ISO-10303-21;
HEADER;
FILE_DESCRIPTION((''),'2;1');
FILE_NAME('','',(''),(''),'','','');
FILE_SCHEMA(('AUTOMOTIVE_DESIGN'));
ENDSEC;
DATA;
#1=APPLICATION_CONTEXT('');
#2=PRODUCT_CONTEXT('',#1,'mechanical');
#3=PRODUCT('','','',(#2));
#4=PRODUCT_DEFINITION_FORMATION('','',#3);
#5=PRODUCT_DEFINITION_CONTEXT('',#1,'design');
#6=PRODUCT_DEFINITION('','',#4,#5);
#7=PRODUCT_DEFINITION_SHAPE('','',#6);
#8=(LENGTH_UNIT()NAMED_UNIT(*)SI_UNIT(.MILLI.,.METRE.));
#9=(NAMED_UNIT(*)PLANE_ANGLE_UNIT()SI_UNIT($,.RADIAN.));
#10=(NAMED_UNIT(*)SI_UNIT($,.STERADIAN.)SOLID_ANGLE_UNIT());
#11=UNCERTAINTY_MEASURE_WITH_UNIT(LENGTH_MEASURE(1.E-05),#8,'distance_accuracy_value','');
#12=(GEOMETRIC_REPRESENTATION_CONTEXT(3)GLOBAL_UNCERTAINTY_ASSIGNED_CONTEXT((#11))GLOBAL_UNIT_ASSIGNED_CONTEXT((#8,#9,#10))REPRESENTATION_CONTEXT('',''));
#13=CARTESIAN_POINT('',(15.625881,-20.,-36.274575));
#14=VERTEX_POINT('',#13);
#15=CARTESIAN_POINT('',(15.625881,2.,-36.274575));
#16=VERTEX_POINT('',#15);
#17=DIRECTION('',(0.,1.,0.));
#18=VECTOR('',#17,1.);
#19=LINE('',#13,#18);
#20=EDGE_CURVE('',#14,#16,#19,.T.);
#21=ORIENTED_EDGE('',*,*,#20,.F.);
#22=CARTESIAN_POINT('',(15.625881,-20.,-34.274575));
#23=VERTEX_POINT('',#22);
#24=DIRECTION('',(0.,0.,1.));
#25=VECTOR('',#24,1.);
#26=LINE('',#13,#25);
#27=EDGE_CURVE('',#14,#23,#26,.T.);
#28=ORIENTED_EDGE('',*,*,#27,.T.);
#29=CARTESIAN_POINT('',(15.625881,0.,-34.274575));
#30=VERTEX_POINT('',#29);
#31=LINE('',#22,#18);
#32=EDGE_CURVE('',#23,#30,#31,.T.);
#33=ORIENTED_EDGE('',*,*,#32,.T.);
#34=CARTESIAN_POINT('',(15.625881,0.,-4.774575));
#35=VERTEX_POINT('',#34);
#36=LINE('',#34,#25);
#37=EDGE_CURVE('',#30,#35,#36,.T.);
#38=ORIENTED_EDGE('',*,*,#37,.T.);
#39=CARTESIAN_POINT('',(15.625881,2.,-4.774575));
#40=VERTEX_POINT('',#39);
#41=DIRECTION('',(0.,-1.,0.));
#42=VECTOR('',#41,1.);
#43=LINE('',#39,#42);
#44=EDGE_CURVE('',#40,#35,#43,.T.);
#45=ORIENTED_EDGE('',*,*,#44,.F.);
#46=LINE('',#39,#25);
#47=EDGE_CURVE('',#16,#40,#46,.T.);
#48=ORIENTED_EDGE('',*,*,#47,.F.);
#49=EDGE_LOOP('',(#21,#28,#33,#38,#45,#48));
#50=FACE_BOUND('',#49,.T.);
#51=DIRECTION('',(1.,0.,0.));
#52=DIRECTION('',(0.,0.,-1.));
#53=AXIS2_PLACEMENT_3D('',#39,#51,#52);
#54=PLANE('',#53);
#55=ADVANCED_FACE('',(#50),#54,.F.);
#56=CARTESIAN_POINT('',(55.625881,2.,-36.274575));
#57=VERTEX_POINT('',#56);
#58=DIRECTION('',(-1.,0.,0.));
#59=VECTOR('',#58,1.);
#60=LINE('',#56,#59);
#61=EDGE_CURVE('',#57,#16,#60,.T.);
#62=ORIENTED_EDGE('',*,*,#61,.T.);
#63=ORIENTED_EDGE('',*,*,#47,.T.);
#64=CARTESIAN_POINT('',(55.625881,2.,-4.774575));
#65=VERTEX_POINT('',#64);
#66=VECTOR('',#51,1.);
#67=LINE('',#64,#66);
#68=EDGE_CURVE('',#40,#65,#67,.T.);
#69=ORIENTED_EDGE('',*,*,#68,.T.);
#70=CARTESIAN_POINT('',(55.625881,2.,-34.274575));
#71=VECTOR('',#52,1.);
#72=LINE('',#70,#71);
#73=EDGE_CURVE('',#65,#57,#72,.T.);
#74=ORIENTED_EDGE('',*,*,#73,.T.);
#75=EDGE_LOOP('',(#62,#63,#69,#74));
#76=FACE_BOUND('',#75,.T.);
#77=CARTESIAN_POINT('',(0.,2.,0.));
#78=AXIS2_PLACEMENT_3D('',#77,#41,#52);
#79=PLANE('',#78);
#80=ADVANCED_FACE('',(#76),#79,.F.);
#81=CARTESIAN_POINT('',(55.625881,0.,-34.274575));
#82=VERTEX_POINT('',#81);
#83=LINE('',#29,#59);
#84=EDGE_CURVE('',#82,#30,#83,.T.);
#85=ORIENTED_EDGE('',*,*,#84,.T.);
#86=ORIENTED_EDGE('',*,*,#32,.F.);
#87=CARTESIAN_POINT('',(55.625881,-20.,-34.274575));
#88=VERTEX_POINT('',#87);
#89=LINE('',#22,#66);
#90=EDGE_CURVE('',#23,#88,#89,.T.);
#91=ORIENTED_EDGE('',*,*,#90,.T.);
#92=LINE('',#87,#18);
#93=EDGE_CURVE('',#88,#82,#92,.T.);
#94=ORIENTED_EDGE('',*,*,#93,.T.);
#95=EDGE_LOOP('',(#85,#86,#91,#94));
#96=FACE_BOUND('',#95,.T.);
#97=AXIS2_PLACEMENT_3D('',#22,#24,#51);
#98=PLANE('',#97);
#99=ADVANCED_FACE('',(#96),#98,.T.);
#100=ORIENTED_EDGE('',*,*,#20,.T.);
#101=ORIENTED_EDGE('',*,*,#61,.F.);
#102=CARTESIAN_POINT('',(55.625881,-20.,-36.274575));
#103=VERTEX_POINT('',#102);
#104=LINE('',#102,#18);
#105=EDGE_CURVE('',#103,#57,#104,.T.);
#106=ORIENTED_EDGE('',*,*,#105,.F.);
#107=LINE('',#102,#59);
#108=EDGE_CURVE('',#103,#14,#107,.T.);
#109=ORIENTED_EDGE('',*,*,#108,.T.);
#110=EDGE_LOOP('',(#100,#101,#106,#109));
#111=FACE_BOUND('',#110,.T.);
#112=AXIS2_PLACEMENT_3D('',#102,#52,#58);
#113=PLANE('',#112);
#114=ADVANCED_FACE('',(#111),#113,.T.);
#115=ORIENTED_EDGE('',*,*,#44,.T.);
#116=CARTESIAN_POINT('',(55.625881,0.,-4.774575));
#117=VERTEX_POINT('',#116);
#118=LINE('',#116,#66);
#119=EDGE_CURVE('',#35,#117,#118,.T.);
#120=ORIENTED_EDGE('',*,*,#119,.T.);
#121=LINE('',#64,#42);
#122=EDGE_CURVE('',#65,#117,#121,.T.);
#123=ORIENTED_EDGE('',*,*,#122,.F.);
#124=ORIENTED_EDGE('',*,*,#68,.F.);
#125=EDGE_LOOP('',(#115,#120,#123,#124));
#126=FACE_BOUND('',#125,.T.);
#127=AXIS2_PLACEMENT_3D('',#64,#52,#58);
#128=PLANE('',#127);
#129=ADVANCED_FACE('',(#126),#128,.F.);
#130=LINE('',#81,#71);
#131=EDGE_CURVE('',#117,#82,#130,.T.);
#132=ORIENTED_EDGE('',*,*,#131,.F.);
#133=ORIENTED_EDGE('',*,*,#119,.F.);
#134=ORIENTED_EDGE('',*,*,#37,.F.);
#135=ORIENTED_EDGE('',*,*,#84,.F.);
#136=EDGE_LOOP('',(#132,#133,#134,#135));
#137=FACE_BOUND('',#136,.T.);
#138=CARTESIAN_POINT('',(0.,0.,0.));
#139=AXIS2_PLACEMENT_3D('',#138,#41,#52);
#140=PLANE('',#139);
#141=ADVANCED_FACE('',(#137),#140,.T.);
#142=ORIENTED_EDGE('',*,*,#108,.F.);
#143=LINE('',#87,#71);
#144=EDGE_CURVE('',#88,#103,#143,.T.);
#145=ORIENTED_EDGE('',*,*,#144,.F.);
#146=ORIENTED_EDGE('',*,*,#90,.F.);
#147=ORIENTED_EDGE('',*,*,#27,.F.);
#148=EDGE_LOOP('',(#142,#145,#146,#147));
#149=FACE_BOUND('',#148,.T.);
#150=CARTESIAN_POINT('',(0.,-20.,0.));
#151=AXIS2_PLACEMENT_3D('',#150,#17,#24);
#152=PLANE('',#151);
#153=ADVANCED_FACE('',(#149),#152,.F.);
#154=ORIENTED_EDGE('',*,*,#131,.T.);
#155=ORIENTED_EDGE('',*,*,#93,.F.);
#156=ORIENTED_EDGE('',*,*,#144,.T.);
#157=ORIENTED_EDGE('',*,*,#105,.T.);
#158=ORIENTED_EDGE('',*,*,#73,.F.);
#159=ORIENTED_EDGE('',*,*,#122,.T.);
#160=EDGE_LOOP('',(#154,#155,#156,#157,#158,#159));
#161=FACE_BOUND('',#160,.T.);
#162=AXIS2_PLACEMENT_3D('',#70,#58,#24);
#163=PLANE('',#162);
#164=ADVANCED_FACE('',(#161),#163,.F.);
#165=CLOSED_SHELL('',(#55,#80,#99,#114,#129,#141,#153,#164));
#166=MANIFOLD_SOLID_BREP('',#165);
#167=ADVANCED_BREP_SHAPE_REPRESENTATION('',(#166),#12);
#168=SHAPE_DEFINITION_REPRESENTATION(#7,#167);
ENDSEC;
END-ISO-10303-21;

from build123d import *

# Parameters (mm, degrees)
SKETCH1_W           = 40
SKETCH1_H           = 29.5
BOSS_EXTRUDE1_DEPTH = 2
SKETCH2_W           = 40
SKETCH2_H           = 2
BOSS_EXTRUDE2_DEPTH = 22


with BuildPart() as part:
    # Sketch1 → Boss-Extrude1 (new body)
    with BuildSketch(Plane(origin=(0, 0, 0), x_dir=(1, 0, 0), z_dir=(0, 1, 0))):
        with Locations((35.625880705, 19.52457466)):
            Rectangle(SKETCH1_W, SKETCH1_H)
    extrude(amount=BOSS_EXTRUDE1_DEPTH)

    # Sketch2 → Boss-Extrude2 (add)
    with BuildSketch(Plane(origin=(0, 2, 0), x_dir=(1, 0, 0), z_dir=(0, 1, 0))):
        with Locations((35.625880705, 35.27457466)):
            Rectangle(SKETCH2_W, SKETCH2_H)
    extrude(amount=-BOSS_EXTRUDE2_DEPTH)


solid = part.part
